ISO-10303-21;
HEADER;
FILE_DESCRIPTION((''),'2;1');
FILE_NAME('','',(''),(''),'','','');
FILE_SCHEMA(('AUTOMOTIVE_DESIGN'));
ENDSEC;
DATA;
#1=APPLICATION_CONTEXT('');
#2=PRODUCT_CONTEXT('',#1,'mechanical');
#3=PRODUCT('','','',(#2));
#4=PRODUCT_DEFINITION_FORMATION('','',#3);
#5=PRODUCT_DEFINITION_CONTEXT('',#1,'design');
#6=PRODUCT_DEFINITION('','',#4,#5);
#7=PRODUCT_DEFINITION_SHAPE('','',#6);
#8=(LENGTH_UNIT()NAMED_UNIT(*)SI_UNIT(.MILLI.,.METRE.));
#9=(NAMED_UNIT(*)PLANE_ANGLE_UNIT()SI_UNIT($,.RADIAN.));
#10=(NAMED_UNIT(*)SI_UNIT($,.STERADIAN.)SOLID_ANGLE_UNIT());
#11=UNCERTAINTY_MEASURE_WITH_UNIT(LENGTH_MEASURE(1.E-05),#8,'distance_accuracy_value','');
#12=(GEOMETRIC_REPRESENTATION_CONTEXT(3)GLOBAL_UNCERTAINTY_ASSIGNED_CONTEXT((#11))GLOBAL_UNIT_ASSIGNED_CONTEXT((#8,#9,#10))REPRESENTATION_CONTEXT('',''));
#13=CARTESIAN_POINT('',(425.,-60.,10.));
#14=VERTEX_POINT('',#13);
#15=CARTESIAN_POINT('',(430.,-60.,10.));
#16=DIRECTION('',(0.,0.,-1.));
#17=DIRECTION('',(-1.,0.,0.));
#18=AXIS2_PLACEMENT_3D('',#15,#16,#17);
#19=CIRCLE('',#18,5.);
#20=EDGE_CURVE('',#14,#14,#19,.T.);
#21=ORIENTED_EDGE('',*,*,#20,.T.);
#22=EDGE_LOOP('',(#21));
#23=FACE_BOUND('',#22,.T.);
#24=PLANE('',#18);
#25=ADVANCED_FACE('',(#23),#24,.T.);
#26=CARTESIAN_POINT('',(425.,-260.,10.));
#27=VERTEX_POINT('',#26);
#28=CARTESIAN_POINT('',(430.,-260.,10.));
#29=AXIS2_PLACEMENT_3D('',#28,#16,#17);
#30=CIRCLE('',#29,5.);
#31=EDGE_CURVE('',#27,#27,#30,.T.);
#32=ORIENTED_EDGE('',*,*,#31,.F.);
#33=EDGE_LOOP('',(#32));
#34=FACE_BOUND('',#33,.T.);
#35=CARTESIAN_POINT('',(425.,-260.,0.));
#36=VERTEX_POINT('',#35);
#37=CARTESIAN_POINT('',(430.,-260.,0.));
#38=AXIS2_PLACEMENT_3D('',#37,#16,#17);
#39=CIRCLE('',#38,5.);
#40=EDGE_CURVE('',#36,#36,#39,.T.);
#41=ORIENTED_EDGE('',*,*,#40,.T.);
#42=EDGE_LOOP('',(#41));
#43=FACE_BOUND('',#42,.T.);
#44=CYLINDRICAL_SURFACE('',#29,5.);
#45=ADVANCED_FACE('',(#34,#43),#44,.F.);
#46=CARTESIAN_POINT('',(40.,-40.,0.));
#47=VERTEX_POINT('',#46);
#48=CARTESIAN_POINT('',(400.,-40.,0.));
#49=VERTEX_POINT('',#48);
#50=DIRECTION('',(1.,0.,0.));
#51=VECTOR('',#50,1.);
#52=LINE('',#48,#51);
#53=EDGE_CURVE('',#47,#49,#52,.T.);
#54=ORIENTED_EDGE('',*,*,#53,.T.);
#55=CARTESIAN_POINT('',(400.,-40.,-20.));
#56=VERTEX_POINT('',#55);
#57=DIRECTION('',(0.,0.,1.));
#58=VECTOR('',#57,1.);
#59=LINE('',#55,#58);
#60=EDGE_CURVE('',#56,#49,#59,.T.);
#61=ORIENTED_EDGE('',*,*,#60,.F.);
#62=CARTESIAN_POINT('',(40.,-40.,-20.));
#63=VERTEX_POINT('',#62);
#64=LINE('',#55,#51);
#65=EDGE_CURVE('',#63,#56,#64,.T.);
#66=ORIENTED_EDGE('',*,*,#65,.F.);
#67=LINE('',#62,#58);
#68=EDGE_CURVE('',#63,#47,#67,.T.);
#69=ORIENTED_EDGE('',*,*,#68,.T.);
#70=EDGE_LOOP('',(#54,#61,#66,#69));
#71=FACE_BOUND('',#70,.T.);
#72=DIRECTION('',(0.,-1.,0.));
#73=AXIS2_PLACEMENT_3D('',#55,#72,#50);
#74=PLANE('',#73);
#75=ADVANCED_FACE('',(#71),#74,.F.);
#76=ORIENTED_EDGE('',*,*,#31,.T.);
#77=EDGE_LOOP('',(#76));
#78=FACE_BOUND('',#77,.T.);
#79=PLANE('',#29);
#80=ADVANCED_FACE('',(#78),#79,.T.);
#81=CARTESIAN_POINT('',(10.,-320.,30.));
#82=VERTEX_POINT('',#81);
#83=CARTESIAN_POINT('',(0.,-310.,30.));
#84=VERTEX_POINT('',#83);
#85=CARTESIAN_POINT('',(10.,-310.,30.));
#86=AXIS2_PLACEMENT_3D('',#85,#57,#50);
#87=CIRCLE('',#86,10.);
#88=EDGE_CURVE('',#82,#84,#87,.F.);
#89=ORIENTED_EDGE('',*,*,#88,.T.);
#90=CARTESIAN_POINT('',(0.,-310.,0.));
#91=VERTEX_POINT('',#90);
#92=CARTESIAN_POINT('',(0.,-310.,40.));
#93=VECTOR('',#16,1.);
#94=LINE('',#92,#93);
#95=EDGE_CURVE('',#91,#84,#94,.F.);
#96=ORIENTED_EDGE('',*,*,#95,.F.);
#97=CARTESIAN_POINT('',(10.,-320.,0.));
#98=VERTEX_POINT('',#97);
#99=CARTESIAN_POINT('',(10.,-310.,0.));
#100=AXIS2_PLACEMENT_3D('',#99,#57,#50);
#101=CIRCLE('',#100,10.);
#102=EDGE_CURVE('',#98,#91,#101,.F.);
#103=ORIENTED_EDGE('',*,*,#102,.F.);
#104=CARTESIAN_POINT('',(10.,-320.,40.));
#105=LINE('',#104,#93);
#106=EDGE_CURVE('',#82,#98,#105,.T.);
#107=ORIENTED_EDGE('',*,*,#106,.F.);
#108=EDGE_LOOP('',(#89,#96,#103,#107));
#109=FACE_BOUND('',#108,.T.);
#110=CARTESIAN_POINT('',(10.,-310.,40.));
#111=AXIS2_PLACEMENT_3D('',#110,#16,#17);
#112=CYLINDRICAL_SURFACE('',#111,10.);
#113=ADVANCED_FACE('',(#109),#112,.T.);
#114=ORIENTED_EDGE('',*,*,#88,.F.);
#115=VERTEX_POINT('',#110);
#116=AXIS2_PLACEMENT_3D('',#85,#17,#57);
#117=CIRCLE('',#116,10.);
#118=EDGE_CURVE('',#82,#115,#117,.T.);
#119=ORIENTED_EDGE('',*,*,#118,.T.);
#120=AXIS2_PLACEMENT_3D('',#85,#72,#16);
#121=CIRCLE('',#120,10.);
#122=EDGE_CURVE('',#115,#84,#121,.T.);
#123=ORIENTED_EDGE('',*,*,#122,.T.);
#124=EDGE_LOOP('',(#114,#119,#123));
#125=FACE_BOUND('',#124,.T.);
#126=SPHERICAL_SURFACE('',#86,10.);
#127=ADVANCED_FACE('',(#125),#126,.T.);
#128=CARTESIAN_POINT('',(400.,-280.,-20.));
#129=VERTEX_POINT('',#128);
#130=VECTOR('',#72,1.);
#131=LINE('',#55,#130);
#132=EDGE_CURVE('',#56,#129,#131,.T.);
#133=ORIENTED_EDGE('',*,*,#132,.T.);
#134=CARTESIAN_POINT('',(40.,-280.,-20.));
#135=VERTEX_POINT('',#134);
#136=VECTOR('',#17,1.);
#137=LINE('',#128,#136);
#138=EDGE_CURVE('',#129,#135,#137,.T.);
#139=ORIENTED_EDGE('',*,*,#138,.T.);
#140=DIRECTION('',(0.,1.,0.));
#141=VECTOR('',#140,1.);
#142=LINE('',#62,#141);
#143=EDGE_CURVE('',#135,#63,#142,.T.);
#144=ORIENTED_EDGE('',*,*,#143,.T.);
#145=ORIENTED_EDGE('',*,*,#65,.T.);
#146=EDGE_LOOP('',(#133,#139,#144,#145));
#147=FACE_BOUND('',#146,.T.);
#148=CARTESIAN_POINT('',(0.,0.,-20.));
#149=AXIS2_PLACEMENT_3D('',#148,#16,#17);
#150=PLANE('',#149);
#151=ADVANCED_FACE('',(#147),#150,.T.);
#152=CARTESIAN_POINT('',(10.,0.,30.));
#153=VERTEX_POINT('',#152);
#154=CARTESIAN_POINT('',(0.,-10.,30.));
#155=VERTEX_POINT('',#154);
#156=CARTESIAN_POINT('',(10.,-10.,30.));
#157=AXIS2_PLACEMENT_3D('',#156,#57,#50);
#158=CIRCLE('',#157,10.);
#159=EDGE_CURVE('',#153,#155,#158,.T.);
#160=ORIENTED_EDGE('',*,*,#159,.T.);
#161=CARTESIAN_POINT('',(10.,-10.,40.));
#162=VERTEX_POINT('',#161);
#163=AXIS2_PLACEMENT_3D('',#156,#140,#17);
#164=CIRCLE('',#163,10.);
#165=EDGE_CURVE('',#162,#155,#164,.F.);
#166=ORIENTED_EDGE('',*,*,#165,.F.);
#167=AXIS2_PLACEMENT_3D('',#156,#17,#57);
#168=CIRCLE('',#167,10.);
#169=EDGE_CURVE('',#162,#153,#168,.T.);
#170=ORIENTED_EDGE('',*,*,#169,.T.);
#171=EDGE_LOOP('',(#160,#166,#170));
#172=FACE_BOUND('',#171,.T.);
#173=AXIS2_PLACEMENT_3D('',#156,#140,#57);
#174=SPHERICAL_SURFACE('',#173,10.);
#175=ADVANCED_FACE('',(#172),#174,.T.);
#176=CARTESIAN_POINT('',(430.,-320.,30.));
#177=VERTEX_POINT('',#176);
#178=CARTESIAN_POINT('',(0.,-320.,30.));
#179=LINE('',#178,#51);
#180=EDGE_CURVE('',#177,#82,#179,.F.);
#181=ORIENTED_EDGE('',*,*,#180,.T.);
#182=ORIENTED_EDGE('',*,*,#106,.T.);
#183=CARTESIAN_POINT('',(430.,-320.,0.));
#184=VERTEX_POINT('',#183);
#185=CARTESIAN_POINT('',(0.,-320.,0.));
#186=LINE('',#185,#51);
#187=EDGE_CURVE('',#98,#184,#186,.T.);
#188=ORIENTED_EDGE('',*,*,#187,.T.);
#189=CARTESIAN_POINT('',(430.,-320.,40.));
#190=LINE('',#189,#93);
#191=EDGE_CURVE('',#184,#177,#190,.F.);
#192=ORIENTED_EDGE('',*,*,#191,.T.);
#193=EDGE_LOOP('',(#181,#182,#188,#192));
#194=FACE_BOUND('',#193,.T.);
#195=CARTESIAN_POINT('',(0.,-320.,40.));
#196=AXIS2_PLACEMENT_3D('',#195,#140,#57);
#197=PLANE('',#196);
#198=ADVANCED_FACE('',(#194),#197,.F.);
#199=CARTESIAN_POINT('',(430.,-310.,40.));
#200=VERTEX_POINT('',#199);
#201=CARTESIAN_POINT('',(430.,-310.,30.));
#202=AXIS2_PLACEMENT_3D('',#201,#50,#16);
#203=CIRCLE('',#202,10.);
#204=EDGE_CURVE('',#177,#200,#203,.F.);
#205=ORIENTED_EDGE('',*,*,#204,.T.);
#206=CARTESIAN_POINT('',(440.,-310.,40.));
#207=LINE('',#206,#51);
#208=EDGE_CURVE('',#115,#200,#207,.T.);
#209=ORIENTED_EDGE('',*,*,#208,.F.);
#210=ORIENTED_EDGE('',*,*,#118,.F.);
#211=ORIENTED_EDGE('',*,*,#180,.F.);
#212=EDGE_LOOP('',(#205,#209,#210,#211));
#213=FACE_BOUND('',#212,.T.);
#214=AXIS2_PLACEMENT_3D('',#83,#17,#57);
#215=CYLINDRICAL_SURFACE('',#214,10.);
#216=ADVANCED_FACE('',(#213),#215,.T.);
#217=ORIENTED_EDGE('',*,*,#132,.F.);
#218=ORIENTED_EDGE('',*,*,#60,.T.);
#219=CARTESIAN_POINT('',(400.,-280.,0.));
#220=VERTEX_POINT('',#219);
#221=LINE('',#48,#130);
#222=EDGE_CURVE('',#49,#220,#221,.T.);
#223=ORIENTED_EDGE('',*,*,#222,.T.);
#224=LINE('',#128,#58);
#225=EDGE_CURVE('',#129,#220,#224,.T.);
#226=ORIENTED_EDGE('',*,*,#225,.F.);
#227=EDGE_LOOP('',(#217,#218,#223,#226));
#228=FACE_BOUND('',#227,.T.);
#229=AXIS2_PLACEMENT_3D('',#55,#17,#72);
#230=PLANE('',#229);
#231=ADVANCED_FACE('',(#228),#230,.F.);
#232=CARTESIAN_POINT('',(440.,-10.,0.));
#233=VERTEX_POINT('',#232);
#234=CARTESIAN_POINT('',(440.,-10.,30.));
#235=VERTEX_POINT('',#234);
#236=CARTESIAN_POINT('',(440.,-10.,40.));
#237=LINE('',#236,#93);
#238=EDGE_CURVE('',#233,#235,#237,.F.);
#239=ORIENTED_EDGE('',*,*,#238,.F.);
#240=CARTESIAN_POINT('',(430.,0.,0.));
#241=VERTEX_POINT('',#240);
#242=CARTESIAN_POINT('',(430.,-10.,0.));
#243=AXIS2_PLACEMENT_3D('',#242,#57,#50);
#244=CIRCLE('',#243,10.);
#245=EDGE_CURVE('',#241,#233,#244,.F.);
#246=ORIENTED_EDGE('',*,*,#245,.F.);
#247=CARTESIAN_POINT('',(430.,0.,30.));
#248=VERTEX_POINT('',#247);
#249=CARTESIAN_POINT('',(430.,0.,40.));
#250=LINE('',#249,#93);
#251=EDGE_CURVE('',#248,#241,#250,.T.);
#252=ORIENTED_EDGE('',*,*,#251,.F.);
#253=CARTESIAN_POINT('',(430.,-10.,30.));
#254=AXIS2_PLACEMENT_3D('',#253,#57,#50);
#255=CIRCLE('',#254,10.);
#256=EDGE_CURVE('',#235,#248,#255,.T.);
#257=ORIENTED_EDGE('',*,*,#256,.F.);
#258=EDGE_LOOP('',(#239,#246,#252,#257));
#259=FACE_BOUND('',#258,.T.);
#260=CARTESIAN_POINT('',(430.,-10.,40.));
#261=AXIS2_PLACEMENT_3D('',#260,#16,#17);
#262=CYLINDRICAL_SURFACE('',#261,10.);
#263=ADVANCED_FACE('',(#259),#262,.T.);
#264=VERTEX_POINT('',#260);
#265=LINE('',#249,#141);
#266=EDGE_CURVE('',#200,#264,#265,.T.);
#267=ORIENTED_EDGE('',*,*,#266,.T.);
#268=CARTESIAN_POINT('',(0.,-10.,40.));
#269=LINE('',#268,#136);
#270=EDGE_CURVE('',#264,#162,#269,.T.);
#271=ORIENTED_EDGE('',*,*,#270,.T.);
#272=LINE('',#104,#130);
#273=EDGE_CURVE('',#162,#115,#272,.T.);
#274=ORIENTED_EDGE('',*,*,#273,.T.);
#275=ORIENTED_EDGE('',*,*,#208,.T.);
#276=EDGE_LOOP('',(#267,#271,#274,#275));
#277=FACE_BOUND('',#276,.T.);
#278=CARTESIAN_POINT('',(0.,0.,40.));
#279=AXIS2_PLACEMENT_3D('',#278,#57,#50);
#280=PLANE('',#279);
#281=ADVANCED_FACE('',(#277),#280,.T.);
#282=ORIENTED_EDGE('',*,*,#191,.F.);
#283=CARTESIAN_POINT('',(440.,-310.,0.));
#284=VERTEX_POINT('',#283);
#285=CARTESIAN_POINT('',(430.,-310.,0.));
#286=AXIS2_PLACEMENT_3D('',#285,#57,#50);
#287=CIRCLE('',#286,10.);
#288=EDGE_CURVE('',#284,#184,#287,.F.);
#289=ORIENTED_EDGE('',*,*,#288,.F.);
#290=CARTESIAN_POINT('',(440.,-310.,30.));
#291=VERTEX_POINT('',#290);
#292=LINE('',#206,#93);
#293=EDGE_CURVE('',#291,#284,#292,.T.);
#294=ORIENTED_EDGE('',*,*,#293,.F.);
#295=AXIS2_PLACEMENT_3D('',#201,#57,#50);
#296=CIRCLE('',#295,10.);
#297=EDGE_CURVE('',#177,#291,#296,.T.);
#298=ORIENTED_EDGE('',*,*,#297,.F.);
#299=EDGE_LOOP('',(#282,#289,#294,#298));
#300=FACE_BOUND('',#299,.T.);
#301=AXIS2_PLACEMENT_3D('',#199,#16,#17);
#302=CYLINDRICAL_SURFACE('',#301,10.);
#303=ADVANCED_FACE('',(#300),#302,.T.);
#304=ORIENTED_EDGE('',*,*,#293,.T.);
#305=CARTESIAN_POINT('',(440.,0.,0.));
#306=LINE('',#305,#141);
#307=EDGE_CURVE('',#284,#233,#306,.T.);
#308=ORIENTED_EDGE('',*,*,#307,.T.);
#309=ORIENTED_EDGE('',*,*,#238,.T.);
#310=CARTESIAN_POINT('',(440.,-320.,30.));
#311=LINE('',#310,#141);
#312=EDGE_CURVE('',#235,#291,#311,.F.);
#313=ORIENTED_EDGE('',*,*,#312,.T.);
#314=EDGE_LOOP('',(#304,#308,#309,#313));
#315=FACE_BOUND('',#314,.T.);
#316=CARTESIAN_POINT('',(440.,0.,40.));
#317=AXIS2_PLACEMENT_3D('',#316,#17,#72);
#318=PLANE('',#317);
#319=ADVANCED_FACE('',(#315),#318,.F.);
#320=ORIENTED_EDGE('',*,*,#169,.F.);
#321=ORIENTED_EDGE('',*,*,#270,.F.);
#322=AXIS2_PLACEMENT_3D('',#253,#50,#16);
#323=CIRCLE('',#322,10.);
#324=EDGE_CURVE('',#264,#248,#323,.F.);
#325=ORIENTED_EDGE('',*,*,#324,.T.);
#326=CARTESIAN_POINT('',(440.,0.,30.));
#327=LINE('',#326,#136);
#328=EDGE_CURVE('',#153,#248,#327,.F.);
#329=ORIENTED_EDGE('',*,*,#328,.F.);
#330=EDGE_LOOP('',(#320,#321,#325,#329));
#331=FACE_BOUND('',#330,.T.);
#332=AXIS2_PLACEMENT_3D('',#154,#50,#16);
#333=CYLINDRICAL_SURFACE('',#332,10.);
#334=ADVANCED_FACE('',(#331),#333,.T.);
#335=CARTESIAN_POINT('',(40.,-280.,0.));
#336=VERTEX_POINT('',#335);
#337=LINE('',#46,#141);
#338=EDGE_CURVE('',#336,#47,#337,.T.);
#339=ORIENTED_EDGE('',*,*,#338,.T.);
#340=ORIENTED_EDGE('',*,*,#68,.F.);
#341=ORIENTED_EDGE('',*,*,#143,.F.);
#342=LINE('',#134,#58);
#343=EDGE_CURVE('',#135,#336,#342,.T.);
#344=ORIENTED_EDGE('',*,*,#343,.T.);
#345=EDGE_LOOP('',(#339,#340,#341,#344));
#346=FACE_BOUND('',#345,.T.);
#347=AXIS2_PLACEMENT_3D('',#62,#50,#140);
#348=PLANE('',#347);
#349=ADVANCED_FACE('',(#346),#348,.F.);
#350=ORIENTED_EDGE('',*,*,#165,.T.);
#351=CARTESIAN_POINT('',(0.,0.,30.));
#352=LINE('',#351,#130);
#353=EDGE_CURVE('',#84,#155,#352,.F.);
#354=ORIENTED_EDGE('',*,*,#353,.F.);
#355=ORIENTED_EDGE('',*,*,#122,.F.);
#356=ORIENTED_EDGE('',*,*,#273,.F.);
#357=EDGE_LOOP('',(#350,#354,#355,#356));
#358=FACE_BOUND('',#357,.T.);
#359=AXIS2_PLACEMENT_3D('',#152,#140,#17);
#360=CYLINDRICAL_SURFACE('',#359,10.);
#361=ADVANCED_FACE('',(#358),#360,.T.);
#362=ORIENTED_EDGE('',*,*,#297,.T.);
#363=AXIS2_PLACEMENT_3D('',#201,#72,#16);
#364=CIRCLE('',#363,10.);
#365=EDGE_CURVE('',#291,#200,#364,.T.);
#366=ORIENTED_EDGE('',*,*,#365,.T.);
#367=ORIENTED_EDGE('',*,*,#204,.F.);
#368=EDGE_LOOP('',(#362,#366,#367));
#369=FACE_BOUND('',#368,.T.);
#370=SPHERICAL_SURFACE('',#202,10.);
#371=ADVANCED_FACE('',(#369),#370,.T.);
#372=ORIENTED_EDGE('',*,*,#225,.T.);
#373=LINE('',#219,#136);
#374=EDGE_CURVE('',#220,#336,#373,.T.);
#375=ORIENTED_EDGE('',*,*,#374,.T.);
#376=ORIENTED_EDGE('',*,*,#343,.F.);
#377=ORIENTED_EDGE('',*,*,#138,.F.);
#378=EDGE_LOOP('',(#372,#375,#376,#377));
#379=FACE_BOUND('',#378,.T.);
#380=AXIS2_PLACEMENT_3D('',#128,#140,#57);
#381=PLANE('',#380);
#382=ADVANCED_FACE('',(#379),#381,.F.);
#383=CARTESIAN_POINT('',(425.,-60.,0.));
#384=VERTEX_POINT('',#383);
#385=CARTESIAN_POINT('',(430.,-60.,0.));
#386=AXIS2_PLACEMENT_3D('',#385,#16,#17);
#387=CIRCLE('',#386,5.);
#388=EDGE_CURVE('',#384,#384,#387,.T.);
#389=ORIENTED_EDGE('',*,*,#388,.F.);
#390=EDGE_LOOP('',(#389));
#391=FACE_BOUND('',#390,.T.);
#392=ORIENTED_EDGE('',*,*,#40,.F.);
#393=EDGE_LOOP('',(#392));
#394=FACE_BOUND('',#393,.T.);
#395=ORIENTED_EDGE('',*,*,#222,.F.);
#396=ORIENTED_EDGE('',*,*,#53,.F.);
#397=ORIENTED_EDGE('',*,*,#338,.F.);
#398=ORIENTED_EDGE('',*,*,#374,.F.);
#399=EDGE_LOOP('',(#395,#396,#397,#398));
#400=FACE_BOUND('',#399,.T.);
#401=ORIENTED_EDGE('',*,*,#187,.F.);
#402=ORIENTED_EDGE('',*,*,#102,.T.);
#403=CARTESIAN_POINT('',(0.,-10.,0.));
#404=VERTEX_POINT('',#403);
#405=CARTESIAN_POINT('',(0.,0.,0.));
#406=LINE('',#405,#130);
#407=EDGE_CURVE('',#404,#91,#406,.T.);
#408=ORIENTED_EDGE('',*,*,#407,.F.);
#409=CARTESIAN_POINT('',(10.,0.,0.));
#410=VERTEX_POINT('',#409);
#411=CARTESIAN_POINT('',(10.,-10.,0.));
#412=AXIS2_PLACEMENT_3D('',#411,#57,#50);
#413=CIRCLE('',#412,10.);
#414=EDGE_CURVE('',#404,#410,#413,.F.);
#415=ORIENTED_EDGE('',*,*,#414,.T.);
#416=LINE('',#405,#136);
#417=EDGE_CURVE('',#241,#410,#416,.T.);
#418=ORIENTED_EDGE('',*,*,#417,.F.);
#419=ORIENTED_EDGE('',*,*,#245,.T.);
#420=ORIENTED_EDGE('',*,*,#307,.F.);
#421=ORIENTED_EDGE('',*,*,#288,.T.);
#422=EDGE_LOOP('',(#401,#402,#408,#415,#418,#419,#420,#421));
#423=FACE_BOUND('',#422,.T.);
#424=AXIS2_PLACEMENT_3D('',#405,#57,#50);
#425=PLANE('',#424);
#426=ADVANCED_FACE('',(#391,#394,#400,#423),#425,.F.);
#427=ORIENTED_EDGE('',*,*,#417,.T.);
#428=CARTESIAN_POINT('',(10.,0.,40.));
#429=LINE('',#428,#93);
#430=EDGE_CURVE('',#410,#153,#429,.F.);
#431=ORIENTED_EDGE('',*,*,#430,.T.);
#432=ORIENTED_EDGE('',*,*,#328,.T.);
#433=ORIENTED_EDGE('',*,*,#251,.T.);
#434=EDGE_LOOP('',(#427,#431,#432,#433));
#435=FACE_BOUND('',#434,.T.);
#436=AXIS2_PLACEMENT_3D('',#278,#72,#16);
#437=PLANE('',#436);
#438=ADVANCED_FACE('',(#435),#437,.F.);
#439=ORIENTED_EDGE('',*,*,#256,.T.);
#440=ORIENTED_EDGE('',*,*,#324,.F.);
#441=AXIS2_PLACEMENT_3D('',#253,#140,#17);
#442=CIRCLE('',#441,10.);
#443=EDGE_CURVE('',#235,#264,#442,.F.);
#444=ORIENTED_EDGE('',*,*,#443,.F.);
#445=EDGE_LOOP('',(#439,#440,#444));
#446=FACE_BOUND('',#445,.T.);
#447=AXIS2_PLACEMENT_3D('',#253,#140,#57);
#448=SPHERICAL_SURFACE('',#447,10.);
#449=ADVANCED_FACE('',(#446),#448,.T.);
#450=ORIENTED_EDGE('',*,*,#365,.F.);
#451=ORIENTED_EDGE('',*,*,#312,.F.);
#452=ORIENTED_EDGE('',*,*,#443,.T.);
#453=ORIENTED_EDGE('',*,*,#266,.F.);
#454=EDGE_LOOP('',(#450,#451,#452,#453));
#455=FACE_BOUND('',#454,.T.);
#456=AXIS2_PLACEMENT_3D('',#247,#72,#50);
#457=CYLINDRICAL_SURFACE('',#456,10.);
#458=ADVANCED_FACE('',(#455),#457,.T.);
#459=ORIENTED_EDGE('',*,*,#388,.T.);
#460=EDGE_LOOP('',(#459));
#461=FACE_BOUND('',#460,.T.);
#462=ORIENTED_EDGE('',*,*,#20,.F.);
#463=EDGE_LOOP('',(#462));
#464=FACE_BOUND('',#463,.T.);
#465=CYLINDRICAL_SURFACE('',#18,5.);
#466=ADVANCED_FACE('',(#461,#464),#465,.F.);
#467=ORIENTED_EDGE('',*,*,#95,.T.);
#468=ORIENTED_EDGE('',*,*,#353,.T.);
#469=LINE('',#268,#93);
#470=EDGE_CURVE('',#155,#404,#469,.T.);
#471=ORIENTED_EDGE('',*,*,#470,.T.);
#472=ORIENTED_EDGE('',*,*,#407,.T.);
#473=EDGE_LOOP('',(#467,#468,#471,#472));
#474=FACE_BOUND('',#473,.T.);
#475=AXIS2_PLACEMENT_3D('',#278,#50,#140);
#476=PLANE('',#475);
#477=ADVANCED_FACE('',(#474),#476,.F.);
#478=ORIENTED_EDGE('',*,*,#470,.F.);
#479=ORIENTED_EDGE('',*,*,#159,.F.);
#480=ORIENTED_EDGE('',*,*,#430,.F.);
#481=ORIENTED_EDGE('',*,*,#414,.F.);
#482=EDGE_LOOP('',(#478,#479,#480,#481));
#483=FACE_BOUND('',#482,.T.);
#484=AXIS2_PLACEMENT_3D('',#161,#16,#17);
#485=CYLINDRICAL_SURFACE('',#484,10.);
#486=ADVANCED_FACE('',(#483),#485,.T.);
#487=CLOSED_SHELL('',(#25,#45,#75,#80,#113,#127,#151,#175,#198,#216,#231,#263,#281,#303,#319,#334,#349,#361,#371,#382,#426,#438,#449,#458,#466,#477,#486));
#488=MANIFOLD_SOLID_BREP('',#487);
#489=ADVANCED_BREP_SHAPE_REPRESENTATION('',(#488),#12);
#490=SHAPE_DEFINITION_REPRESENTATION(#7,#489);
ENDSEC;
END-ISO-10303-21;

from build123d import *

# Parameters (mm, degrees)
SKETCH_1_W          = 440
SKETCH_1_H          = 320
EXTRUDE_1_DEPTH     = 40
FILLET_1_R          = 10
SKETCH_3_W          = 360
SKETCH_3_H          = 240
EXTRUDE_2_DEPTH     = 20
SKETCH_4_R          = 5
CUT_EXTRUDE_1_DEPTH = 10


with BuildPart() as part:
    # 草图1 → 凸台-拉伸1 (new body)
    with BuildSketch(Plane.XY):
        with Locations((220, -160)):
            Rectangle(SKETCH_1_W, SKETCH_1_H)
    extrude(amount=EXTRUDE_1_DEPTH)

    # 圆角1
    fillet_1_edges = [part.edges().sort_by_distance(p)[0] for p in [
        (440, -160, 40),
        (220, 0, 40),
        (0, -160, 40),
        (0, 0, 20),
        (440, 0, 20),
        (440, -320, 20),
        (0, -320, 20),
        (220, -320, 40),
    ]]
    fillet(fillet_1_edges, radius=FILLET_1_R)

    # 草图3 → 凸台-拉伸2 (add)
    with BuildSketch(Plane(origin=(0, 0, 0), x_dir=(-1, 0, 0), z_dir=(0, 0, -1))):
        with Locations((-220, -160)):
            Rectangle(SKETCH_3_W, SKETCH_3_H)
    extrude(amount=EXTRUDE_2_DEPTH)

    # 草图4 → 切除-拉伸1 (cut)
    with BuildSketch(Plane(origin=(0, 0, 0), x_dir=(-1, 0, 0), z_dir=(0, 0, -1))):
        with Locations((-430, -60)):
            Circle(SKETCH_4_R)
        with Locations((-430, -260)):
            Circle(SKETCH_4_R)
    extrude(amount=-CUT_EXTRUDE_1_DEPTH, mode=Mode.SUBTRACT)


solid = part.part
